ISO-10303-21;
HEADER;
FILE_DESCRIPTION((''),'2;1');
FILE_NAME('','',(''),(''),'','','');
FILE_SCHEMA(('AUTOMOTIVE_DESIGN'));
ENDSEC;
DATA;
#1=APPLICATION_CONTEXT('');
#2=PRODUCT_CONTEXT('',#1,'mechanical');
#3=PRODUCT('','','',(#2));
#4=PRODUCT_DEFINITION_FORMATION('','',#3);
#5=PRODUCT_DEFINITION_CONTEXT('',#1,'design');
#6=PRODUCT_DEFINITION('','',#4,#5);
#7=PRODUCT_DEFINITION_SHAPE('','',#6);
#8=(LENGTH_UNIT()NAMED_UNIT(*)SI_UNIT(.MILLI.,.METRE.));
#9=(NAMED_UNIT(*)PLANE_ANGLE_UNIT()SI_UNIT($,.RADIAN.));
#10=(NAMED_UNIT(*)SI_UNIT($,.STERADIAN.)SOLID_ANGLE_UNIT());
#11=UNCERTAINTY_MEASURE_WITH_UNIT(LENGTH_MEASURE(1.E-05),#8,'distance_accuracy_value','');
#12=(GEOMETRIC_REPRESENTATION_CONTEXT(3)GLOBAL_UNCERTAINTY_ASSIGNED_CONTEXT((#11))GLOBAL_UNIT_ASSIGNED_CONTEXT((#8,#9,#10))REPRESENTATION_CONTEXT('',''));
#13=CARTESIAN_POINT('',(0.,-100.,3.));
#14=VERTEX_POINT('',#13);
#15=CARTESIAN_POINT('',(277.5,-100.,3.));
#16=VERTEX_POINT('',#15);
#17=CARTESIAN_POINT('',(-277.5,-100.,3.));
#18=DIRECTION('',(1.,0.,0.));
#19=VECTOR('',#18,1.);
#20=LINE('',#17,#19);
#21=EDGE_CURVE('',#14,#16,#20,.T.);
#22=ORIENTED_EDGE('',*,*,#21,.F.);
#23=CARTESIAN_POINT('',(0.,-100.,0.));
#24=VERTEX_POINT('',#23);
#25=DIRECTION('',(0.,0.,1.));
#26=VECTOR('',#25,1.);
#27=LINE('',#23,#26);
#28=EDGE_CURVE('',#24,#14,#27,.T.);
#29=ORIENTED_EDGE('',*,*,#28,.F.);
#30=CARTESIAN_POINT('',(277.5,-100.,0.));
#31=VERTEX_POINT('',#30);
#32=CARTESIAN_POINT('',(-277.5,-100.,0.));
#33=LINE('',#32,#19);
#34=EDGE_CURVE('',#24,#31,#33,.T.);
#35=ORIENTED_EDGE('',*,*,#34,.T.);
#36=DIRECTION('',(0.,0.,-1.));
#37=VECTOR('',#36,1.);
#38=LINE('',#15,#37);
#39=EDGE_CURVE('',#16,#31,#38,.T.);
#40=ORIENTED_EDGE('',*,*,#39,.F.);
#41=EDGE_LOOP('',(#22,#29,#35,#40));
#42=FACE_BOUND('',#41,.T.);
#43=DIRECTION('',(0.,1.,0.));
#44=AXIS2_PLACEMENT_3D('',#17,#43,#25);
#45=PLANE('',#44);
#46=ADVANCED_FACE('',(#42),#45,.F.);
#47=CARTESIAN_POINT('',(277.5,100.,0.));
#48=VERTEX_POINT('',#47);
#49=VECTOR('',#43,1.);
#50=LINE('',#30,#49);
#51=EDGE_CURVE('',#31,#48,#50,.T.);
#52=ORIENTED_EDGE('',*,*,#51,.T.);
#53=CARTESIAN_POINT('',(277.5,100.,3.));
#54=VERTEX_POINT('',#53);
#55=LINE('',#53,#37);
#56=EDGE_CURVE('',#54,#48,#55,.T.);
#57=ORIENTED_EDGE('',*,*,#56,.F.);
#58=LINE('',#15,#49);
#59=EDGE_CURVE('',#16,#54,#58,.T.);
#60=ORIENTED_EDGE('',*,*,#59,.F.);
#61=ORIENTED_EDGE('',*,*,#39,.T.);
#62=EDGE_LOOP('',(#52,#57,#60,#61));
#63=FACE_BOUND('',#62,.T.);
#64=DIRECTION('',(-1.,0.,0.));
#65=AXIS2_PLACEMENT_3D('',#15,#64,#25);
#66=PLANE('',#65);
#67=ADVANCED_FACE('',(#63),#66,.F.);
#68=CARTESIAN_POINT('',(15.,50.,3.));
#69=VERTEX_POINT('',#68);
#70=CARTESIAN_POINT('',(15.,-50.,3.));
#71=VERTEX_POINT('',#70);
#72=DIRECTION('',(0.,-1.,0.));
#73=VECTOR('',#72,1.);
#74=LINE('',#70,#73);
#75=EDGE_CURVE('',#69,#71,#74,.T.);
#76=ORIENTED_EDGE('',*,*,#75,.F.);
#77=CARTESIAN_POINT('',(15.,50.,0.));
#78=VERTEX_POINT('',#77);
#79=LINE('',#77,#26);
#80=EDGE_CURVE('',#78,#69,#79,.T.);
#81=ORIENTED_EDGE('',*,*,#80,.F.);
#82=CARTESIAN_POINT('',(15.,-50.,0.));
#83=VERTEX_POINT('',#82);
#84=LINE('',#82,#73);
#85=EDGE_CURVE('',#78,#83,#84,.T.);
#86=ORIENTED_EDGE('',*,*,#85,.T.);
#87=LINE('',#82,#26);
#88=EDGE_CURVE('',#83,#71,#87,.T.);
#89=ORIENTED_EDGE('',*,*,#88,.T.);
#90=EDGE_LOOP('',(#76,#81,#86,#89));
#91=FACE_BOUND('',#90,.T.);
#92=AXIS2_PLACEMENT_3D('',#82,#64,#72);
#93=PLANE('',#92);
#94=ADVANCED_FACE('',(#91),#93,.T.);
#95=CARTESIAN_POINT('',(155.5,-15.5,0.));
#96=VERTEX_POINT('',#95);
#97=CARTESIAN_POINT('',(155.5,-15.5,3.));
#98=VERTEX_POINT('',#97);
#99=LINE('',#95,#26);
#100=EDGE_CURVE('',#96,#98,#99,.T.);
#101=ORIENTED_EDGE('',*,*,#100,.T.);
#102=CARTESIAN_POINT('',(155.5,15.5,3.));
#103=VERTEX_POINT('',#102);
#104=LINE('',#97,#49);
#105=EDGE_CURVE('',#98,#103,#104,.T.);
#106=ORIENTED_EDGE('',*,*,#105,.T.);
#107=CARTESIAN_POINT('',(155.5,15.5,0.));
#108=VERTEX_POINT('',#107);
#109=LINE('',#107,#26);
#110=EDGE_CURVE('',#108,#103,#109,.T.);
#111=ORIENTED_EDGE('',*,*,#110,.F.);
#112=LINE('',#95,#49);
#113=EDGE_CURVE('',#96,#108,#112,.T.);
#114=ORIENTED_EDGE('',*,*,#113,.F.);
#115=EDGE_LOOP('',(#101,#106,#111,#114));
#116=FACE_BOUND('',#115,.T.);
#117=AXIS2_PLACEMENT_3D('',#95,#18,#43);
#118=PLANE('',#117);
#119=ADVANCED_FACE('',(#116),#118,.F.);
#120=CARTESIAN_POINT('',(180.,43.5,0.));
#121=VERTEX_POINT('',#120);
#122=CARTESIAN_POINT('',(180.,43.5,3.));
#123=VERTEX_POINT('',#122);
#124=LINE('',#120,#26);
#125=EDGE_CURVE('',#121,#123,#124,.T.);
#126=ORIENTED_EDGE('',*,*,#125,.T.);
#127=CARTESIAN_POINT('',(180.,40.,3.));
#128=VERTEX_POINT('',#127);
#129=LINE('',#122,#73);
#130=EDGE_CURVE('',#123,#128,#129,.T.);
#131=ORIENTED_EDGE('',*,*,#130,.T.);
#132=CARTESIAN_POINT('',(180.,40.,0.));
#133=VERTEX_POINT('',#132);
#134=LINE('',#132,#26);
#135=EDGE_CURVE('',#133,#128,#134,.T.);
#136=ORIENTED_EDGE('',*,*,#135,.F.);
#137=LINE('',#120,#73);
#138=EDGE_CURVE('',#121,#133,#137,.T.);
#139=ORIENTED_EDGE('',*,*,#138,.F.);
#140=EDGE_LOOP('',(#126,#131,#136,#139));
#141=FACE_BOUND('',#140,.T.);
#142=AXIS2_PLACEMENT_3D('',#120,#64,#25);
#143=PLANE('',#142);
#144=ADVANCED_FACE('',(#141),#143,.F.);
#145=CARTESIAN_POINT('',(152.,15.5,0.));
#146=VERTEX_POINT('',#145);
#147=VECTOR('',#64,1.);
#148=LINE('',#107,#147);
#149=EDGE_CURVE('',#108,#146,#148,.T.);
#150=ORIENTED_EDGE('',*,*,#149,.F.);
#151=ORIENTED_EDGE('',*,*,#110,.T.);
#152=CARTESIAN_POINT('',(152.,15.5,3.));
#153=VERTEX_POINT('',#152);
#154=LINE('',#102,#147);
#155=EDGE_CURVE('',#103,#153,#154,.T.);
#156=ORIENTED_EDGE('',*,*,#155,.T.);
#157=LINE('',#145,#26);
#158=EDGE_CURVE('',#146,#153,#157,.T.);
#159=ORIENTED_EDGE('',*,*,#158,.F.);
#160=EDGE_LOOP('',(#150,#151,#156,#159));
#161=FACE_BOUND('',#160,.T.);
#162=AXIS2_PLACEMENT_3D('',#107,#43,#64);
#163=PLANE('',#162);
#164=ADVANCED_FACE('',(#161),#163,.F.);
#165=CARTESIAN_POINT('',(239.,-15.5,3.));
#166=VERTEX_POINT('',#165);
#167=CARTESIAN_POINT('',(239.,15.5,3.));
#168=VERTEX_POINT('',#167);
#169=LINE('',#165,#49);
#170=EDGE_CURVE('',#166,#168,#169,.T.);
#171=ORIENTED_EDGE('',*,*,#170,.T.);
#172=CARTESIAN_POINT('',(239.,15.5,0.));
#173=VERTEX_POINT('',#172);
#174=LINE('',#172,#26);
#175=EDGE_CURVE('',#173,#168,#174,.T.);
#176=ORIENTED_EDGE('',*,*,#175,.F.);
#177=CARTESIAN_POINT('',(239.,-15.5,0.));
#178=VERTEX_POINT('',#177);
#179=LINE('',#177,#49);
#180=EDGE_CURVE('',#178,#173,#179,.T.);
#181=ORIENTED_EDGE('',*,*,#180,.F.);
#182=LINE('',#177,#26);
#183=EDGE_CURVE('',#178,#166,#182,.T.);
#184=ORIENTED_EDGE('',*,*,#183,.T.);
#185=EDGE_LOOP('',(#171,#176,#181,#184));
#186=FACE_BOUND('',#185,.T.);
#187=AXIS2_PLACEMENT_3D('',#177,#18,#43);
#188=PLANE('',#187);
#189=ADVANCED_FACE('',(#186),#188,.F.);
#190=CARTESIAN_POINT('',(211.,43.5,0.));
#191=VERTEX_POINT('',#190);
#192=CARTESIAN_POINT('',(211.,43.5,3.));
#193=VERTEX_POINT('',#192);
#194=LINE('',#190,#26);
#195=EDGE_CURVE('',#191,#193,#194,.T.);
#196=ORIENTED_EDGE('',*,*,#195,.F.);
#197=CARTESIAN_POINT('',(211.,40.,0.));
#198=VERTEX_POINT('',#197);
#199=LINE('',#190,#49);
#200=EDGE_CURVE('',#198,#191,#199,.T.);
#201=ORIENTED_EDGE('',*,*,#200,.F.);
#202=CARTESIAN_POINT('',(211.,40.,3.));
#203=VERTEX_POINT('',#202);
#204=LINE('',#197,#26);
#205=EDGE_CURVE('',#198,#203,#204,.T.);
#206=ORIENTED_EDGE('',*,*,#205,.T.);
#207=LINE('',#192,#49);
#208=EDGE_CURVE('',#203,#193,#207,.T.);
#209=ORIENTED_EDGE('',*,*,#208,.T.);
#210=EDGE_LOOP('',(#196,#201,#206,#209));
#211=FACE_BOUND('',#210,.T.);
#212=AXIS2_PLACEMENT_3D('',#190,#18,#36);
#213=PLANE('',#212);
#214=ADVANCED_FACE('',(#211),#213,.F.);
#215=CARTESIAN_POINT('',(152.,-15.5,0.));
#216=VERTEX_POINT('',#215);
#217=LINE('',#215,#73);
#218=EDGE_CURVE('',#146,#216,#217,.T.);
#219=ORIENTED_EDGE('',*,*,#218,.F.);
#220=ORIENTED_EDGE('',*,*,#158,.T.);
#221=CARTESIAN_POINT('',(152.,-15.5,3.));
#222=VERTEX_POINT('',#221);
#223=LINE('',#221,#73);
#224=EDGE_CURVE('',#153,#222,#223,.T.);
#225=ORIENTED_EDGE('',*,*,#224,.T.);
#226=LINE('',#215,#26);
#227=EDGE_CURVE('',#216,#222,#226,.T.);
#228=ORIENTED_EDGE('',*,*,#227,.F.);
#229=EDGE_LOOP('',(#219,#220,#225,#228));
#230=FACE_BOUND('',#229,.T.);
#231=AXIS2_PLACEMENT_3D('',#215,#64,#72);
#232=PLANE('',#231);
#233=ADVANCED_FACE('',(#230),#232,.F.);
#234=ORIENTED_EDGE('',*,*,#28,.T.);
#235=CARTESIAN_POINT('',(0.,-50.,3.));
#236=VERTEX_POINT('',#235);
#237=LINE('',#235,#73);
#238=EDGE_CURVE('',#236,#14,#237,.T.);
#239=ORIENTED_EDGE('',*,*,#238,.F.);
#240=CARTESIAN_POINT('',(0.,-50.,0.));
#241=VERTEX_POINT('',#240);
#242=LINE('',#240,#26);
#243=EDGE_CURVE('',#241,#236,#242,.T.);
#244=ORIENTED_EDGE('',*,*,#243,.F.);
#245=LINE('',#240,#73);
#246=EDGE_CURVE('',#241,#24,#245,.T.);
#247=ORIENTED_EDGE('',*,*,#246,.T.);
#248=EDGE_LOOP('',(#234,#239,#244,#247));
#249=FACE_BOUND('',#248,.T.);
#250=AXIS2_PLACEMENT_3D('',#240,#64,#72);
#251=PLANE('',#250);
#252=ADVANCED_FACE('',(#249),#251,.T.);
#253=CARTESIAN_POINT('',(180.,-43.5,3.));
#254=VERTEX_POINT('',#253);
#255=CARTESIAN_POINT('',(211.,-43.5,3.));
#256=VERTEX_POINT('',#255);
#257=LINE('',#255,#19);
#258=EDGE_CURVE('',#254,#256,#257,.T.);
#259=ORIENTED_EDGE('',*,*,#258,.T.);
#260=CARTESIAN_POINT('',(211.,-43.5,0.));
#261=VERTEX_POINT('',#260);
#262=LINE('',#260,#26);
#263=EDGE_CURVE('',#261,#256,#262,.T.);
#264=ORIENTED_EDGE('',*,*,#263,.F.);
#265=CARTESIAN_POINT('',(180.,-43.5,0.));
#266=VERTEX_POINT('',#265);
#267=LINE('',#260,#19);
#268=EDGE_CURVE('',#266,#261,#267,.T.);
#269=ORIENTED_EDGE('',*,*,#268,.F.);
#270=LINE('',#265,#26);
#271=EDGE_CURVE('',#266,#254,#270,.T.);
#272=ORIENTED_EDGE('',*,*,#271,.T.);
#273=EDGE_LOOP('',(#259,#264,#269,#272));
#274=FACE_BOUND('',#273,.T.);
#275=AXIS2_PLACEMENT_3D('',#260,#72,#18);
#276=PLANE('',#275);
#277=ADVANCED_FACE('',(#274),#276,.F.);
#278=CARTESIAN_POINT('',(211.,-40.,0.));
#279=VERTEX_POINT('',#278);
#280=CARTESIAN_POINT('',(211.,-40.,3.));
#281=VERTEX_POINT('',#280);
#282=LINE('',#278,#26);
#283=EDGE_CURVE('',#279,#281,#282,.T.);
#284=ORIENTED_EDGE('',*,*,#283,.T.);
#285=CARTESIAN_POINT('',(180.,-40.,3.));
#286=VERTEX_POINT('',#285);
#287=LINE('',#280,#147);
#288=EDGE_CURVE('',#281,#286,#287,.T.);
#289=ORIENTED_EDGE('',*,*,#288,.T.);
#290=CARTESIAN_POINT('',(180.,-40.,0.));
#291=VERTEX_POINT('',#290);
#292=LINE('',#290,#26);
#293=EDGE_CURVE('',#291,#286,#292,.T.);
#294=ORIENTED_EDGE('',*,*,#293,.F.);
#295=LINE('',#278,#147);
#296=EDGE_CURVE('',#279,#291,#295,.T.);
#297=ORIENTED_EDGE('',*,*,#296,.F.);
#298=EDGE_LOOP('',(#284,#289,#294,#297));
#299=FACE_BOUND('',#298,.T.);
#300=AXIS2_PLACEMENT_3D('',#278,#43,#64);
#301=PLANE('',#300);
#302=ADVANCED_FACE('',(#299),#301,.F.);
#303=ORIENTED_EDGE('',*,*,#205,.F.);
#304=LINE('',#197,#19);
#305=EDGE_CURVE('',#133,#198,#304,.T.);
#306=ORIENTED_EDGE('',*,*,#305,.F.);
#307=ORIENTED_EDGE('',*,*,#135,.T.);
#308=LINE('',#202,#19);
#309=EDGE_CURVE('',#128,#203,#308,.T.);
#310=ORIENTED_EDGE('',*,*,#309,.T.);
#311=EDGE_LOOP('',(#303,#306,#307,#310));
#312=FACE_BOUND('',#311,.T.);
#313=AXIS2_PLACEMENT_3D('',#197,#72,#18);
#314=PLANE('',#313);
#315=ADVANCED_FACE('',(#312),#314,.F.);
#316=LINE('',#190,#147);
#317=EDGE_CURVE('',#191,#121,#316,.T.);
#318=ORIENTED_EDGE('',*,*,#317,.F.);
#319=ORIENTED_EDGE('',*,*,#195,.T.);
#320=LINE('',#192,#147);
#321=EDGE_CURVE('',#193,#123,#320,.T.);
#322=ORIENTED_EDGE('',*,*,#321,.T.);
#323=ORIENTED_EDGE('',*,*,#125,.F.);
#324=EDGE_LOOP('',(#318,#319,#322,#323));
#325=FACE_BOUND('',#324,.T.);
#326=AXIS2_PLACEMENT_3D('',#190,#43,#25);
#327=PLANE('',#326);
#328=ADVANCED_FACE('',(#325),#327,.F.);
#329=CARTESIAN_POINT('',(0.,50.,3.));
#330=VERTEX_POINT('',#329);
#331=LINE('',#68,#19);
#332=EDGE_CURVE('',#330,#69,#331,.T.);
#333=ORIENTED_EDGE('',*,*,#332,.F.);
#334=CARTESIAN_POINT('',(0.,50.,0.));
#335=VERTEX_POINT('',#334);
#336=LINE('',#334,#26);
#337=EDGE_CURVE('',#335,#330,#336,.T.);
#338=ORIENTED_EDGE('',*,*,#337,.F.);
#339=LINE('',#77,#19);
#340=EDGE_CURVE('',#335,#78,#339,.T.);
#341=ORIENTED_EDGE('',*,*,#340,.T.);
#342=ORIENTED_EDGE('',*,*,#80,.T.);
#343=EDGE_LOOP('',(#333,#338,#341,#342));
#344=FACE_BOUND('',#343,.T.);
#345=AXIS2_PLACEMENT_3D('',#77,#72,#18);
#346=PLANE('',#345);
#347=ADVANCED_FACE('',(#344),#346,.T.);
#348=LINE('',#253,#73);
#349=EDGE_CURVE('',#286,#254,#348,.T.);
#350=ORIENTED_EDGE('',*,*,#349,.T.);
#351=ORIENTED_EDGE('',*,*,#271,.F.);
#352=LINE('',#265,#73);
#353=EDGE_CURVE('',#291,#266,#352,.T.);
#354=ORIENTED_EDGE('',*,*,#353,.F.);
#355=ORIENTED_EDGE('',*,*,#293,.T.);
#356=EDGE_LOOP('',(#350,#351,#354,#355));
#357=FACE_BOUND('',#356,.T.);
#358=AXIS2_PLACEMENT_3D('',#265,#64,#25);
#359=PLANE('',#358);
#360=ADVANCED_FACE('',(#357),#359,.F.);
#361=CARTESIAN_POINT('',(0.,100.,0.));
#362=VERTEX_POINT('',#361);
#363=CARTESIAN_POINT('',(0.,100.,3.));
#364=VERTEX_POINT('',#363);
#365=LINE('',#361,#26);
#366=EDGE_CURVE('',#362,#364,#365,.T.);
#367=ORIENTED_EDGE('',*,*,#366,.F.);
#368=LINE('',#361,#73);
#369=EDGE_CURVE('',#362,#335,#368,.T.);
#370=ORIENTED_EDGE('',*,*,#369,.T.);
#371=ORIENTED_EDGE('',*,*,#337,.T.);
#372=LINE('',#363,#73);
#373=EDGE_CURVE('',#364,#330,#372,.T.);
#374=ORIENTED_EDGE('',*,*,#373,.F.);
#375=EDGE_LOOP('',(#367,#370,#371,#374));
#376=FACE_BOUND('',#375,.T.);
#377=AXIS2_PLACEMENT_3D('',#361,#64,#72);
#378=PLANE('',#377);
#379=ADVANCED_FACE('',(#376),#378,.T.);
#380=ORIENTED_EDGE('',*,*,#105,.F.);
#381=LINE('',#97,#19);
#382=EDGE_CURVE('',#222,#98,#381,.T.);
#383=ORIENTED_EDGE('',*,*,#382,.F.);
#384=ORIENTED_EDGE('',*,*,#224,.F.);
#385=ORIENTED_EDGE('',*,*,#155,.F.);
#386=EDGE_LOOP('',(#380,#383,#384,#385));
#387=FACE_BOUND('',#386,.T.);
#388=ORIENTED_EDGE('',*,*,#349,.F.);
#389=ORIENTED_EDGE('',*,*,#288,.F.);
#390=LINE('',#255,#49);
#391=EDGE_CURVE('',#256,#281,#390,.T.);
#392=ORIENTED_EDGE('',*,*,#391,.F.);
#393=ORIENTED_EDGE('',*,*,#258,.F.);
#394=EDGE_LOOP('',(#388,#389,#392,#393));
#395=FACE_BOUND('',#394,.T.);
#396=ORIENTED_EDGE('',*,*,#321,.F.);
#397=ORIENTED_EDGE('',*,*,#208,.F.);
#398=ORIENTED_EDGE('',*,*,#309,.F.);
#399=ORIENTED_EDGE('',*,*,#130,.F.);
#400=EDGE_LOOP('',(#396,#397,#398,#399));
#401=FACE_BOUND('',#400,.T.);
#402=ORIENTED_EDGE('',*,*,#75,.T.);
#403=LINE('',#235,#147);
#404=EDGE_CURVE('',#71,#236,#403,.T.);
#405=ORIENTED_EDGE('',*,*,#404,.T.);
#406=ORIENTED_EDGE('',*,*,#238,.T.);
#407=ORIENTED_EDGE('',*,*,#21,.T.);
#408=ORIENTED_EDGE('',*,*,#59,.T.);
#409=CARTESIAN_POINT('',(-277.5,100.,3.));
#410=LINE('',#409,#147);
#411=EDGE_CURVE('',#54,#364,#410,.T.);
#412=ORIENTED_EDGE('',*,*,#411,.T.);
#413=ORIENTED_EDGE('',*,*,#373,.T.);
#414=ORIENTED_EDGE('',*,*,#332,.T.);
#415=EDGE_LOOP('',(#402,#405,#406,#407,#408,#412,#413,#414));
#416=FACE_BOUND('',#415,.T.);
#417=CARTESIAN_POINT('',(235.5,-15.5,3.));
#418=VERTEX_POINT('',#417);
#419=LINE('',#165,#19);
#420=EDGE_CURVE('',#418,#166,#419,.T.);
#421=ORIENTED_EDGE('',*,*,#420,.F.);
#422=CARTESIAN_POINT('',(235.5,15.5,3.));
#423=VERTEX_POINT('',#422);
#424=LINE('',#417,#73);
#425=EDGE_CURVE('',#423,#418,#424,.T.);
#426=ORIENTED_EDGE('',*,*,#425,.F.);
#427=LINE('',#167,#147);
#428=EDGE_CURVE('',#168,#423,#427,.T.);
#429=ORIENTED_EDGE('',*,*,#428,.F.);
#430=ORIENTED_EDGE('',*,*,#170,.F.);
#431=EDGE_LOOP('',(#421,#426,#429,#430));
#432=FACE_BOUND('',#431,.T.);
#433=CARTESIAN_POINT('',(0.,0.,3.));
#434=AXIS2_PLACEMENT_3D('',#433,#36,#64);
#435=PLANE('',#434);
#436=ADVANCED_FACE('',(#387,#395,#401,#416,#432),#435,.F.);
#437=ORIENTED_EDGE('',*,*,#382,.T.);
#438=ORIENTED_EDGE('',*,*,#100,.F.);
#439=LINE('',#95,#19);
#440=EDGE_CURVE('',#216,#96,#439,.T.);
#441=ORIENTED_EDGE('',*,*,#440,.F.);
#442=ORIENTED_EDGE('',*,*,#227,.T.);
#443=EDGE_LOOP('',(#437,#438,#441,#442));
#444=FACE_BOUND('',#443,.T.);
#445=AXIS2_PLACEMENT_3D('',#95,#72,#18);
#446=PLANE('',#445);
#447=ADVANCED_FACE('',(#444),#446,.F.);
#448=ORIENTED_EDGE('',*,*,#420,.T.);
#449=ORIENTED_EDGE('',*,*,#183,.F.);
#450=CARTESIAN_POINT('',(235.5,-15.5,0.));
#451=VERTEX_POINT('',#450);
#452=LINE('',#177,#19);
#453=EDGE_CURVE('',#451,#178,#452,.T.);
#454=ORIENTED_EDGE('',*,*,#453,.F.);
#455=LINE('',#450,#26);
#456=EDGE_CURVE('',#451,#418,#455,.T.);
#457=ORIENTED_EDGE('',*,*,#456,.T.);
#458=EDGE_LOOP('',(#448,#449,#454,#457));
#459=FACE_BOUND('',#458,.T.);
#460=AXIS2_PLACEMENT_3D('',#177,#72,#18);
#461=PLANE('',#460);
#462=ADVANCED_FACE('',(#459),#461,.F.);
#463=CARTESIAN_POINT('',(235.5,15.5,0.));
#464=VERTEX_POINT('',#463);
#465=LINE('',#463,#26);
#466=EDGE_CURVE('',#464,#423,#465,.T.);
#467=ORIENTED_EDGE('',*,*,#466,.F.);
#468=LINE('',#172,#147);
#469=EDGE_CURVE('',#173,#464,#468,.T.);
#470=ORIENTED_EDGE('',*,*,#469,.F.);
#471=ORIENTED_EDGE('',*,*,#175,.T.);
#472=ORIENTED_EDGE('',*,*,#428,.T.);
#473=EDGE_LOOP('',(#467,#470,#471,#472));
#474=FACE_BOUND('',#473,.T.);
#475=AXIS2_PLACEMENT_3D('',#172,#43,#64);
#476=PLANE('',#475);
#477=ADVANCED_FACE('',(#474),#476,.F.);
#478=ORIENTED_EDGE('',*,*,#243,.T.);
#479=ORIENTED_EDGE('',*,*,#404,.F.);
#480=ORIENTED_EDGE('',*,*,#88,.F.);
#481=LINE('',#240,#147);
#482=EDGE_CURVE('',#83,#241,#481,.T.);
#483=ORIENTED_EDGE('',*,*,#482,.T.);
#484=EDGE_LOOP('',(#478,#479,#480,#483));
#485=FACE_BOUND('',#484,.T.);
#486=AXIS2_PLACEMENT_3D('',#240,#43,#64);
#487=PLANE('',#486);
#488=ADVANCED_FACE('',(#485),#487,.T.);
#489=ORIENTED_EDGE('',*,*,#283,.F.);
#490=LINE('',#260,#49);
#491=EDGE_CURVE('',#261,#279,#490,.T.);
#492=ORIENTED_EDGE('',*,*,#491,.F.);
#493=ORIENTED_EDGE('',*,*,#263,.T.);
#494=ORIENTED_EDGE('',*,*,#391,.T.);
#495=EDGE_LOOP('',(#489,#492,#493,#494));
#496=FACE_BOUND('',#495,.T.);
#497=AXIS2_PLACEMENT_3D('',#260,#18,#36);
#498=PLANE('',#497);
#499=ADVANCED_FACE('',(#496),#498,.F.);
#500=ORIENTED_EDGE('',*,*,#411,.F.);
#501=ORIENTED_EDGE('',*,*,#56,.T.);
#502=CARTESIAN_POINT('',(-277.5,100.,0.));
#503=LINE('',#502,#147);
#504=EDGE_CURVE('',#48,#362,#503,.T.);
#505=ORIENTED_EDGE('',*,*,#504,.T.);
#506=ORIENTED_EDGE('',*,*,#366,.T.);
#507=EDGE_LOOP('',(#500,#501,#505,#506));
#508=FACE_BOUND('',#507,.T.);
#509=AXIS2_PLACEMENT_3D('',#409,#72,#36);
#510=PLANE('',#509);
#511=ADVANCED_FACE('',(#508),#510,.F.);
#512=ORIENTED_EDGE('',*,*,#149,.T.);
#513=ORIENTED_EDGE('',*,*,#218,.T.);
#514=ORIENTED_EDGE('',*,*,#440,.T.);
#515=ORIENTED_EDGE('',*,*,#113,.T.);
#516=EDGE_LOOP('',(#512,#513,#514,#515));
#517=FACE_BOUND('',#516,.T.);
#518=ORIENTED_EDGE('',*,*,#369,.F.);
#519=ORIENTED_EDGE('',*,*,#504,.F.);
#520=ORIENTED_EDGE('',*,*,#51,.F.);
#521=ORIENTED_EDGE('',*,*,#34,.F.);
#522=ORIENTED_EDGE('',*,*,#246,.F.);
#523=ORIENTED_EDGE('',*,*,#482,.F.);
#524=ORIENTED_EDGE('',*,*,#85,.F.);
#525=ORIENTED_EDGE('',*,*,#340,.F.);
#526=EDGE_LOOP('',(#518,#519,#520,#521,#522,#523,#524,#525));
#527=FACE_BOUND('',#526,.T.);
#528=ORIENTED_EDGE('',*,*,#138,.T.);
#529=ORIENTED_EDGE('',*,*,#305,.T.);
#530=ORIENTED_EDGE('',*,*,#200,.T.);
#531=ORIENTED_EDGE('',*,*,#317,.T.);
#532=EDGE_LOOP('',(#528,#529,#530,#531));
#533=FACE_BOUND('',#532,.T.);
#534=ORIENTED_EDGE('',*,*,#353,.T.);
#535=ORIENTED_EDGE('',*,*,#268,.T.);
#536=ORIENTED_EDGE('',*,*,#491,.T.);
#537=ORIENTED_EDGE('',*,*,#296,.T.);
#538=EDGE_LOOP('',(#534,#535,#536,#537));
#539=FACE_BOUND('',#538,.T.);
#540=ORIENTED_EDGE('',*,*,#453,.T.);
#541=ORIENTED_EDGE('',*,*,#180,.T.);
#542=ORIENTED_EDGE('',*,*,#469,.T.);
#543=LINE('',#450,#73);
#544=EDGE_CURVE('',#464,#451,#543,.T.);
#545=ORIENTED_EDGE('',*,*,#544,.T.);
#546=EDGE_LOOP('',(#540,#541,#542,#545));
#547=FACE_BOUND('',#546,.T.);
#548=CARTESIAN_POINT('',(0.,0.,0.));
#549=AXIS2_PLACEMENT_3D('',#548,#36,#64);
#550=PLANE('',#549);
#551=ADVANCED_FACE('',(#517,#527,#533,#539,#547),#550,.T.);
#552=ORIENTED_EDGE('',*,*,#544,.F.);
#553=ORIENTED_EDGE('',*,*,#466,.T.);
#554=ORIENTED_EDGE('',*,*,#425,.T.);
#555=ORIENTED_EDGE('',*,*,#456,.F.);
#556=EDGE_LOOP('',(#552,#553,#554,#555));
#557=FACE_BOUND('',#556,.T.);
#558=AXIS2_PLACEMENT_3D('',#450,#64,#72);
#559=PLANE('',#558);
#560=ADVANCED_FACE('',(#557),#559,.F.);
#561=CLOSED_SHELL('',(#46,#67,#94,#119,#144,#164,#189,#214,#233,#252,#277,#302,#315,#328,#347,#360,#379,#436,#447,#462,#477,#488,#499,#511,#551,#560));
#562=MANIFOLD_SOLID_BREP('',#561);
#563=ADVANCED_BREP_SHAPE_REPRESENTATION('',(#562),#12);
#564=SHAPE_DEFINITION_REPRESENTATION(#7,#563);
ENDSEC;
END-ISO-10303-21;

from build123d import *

# Parameters (mm, degrees)
ESBO_O1_W                = 555
ESBO_O1_H                = 200
RESSALTO_EXTRUS_O1_DEPTH = 3
ESBO_O2_W                = 3.5
ESBO_O2_H                = 31
ESBO_O2_W_2              = 31
ESBO_O2_H_2              = 3.5
CORTE_EXTRUS_O1_DEPTH    = 295.983474113
ESBO_O3_OUTSIDE_W        = 674.988
ESBO_O3_OUTSIDE_H        = 319.988
CORTE_EXTRUS_O3_DEPTH    = 295.983474113


with BuildPart() as part:
    # Esboço1 → Ressalto-extrusão1 (new body)
    with BuildSketch(Plane.XY):
        Rectangle(ESBO_O1_W, ESBO_O1_H)
    extrude(amount=RESSALTO_EXTRUS_O1_DEPTH)

    # Esboço2 → Corte-extrusão1 (cut, through all)
    with BuildSketch(Plane.XY.offset(3)):
        with Locations((237.25, 0)):
            Rectangle(ESBO_O2_W, ESBO_O2_H)
        with Locations((-153.75, 0)):
            Rectangle(ESBO_O2_W, ESBO_O2_H)
        with Locations((-237.25, 0)):
            Rectangle(ESBO_O2_W, ESBO_O2_H)
        with Locations((-195.5, 41.75)):
            Rectangle(ESBO_O2_W_2, ESBO_O2_H_2)
        with Locations((-195.5, -41.75)):
            Rectangle(ESBO_O2_W_2, ESBO_O2_H_2)
        with Locations((153.75, 0)):
            Rectangle(ESBO_O2_W, ESBO_O2_H)
        with Locations((195.5, -41.75)):
            Rectangle(ESBO_O2_W_2, ESBO_O2_H_2)
        with Locations((195.5, 41.75)):
            Rectangle(ESBO_O2_W_2, ESBO_O2_H_2)
    extrude(amount=-CORTE_EXTRUS_O1_DEPTH, mode=Mode.SUBTRACT)

    # Esboço3 outside → Corte-extrusão3 (cut, through all)
    with BuildSketch(Plane.XY.offset(3)):
        Rectangle(ESBO_O3_OUTSIDE_W, ESBO_O3_OUTSIDE_H)
        Polygon((0, 100), (0, 50), (15, 50), (15, -50), (0, -50), (0, -100), (277.5, -100), (277.5, 100), align=None, mode=Mode.SUBTRACT)
    extrude(amount=-CORTE_EXTRUS_O3_DEPTH, mode=Mode.SUBTRACT)


solid = part.part
